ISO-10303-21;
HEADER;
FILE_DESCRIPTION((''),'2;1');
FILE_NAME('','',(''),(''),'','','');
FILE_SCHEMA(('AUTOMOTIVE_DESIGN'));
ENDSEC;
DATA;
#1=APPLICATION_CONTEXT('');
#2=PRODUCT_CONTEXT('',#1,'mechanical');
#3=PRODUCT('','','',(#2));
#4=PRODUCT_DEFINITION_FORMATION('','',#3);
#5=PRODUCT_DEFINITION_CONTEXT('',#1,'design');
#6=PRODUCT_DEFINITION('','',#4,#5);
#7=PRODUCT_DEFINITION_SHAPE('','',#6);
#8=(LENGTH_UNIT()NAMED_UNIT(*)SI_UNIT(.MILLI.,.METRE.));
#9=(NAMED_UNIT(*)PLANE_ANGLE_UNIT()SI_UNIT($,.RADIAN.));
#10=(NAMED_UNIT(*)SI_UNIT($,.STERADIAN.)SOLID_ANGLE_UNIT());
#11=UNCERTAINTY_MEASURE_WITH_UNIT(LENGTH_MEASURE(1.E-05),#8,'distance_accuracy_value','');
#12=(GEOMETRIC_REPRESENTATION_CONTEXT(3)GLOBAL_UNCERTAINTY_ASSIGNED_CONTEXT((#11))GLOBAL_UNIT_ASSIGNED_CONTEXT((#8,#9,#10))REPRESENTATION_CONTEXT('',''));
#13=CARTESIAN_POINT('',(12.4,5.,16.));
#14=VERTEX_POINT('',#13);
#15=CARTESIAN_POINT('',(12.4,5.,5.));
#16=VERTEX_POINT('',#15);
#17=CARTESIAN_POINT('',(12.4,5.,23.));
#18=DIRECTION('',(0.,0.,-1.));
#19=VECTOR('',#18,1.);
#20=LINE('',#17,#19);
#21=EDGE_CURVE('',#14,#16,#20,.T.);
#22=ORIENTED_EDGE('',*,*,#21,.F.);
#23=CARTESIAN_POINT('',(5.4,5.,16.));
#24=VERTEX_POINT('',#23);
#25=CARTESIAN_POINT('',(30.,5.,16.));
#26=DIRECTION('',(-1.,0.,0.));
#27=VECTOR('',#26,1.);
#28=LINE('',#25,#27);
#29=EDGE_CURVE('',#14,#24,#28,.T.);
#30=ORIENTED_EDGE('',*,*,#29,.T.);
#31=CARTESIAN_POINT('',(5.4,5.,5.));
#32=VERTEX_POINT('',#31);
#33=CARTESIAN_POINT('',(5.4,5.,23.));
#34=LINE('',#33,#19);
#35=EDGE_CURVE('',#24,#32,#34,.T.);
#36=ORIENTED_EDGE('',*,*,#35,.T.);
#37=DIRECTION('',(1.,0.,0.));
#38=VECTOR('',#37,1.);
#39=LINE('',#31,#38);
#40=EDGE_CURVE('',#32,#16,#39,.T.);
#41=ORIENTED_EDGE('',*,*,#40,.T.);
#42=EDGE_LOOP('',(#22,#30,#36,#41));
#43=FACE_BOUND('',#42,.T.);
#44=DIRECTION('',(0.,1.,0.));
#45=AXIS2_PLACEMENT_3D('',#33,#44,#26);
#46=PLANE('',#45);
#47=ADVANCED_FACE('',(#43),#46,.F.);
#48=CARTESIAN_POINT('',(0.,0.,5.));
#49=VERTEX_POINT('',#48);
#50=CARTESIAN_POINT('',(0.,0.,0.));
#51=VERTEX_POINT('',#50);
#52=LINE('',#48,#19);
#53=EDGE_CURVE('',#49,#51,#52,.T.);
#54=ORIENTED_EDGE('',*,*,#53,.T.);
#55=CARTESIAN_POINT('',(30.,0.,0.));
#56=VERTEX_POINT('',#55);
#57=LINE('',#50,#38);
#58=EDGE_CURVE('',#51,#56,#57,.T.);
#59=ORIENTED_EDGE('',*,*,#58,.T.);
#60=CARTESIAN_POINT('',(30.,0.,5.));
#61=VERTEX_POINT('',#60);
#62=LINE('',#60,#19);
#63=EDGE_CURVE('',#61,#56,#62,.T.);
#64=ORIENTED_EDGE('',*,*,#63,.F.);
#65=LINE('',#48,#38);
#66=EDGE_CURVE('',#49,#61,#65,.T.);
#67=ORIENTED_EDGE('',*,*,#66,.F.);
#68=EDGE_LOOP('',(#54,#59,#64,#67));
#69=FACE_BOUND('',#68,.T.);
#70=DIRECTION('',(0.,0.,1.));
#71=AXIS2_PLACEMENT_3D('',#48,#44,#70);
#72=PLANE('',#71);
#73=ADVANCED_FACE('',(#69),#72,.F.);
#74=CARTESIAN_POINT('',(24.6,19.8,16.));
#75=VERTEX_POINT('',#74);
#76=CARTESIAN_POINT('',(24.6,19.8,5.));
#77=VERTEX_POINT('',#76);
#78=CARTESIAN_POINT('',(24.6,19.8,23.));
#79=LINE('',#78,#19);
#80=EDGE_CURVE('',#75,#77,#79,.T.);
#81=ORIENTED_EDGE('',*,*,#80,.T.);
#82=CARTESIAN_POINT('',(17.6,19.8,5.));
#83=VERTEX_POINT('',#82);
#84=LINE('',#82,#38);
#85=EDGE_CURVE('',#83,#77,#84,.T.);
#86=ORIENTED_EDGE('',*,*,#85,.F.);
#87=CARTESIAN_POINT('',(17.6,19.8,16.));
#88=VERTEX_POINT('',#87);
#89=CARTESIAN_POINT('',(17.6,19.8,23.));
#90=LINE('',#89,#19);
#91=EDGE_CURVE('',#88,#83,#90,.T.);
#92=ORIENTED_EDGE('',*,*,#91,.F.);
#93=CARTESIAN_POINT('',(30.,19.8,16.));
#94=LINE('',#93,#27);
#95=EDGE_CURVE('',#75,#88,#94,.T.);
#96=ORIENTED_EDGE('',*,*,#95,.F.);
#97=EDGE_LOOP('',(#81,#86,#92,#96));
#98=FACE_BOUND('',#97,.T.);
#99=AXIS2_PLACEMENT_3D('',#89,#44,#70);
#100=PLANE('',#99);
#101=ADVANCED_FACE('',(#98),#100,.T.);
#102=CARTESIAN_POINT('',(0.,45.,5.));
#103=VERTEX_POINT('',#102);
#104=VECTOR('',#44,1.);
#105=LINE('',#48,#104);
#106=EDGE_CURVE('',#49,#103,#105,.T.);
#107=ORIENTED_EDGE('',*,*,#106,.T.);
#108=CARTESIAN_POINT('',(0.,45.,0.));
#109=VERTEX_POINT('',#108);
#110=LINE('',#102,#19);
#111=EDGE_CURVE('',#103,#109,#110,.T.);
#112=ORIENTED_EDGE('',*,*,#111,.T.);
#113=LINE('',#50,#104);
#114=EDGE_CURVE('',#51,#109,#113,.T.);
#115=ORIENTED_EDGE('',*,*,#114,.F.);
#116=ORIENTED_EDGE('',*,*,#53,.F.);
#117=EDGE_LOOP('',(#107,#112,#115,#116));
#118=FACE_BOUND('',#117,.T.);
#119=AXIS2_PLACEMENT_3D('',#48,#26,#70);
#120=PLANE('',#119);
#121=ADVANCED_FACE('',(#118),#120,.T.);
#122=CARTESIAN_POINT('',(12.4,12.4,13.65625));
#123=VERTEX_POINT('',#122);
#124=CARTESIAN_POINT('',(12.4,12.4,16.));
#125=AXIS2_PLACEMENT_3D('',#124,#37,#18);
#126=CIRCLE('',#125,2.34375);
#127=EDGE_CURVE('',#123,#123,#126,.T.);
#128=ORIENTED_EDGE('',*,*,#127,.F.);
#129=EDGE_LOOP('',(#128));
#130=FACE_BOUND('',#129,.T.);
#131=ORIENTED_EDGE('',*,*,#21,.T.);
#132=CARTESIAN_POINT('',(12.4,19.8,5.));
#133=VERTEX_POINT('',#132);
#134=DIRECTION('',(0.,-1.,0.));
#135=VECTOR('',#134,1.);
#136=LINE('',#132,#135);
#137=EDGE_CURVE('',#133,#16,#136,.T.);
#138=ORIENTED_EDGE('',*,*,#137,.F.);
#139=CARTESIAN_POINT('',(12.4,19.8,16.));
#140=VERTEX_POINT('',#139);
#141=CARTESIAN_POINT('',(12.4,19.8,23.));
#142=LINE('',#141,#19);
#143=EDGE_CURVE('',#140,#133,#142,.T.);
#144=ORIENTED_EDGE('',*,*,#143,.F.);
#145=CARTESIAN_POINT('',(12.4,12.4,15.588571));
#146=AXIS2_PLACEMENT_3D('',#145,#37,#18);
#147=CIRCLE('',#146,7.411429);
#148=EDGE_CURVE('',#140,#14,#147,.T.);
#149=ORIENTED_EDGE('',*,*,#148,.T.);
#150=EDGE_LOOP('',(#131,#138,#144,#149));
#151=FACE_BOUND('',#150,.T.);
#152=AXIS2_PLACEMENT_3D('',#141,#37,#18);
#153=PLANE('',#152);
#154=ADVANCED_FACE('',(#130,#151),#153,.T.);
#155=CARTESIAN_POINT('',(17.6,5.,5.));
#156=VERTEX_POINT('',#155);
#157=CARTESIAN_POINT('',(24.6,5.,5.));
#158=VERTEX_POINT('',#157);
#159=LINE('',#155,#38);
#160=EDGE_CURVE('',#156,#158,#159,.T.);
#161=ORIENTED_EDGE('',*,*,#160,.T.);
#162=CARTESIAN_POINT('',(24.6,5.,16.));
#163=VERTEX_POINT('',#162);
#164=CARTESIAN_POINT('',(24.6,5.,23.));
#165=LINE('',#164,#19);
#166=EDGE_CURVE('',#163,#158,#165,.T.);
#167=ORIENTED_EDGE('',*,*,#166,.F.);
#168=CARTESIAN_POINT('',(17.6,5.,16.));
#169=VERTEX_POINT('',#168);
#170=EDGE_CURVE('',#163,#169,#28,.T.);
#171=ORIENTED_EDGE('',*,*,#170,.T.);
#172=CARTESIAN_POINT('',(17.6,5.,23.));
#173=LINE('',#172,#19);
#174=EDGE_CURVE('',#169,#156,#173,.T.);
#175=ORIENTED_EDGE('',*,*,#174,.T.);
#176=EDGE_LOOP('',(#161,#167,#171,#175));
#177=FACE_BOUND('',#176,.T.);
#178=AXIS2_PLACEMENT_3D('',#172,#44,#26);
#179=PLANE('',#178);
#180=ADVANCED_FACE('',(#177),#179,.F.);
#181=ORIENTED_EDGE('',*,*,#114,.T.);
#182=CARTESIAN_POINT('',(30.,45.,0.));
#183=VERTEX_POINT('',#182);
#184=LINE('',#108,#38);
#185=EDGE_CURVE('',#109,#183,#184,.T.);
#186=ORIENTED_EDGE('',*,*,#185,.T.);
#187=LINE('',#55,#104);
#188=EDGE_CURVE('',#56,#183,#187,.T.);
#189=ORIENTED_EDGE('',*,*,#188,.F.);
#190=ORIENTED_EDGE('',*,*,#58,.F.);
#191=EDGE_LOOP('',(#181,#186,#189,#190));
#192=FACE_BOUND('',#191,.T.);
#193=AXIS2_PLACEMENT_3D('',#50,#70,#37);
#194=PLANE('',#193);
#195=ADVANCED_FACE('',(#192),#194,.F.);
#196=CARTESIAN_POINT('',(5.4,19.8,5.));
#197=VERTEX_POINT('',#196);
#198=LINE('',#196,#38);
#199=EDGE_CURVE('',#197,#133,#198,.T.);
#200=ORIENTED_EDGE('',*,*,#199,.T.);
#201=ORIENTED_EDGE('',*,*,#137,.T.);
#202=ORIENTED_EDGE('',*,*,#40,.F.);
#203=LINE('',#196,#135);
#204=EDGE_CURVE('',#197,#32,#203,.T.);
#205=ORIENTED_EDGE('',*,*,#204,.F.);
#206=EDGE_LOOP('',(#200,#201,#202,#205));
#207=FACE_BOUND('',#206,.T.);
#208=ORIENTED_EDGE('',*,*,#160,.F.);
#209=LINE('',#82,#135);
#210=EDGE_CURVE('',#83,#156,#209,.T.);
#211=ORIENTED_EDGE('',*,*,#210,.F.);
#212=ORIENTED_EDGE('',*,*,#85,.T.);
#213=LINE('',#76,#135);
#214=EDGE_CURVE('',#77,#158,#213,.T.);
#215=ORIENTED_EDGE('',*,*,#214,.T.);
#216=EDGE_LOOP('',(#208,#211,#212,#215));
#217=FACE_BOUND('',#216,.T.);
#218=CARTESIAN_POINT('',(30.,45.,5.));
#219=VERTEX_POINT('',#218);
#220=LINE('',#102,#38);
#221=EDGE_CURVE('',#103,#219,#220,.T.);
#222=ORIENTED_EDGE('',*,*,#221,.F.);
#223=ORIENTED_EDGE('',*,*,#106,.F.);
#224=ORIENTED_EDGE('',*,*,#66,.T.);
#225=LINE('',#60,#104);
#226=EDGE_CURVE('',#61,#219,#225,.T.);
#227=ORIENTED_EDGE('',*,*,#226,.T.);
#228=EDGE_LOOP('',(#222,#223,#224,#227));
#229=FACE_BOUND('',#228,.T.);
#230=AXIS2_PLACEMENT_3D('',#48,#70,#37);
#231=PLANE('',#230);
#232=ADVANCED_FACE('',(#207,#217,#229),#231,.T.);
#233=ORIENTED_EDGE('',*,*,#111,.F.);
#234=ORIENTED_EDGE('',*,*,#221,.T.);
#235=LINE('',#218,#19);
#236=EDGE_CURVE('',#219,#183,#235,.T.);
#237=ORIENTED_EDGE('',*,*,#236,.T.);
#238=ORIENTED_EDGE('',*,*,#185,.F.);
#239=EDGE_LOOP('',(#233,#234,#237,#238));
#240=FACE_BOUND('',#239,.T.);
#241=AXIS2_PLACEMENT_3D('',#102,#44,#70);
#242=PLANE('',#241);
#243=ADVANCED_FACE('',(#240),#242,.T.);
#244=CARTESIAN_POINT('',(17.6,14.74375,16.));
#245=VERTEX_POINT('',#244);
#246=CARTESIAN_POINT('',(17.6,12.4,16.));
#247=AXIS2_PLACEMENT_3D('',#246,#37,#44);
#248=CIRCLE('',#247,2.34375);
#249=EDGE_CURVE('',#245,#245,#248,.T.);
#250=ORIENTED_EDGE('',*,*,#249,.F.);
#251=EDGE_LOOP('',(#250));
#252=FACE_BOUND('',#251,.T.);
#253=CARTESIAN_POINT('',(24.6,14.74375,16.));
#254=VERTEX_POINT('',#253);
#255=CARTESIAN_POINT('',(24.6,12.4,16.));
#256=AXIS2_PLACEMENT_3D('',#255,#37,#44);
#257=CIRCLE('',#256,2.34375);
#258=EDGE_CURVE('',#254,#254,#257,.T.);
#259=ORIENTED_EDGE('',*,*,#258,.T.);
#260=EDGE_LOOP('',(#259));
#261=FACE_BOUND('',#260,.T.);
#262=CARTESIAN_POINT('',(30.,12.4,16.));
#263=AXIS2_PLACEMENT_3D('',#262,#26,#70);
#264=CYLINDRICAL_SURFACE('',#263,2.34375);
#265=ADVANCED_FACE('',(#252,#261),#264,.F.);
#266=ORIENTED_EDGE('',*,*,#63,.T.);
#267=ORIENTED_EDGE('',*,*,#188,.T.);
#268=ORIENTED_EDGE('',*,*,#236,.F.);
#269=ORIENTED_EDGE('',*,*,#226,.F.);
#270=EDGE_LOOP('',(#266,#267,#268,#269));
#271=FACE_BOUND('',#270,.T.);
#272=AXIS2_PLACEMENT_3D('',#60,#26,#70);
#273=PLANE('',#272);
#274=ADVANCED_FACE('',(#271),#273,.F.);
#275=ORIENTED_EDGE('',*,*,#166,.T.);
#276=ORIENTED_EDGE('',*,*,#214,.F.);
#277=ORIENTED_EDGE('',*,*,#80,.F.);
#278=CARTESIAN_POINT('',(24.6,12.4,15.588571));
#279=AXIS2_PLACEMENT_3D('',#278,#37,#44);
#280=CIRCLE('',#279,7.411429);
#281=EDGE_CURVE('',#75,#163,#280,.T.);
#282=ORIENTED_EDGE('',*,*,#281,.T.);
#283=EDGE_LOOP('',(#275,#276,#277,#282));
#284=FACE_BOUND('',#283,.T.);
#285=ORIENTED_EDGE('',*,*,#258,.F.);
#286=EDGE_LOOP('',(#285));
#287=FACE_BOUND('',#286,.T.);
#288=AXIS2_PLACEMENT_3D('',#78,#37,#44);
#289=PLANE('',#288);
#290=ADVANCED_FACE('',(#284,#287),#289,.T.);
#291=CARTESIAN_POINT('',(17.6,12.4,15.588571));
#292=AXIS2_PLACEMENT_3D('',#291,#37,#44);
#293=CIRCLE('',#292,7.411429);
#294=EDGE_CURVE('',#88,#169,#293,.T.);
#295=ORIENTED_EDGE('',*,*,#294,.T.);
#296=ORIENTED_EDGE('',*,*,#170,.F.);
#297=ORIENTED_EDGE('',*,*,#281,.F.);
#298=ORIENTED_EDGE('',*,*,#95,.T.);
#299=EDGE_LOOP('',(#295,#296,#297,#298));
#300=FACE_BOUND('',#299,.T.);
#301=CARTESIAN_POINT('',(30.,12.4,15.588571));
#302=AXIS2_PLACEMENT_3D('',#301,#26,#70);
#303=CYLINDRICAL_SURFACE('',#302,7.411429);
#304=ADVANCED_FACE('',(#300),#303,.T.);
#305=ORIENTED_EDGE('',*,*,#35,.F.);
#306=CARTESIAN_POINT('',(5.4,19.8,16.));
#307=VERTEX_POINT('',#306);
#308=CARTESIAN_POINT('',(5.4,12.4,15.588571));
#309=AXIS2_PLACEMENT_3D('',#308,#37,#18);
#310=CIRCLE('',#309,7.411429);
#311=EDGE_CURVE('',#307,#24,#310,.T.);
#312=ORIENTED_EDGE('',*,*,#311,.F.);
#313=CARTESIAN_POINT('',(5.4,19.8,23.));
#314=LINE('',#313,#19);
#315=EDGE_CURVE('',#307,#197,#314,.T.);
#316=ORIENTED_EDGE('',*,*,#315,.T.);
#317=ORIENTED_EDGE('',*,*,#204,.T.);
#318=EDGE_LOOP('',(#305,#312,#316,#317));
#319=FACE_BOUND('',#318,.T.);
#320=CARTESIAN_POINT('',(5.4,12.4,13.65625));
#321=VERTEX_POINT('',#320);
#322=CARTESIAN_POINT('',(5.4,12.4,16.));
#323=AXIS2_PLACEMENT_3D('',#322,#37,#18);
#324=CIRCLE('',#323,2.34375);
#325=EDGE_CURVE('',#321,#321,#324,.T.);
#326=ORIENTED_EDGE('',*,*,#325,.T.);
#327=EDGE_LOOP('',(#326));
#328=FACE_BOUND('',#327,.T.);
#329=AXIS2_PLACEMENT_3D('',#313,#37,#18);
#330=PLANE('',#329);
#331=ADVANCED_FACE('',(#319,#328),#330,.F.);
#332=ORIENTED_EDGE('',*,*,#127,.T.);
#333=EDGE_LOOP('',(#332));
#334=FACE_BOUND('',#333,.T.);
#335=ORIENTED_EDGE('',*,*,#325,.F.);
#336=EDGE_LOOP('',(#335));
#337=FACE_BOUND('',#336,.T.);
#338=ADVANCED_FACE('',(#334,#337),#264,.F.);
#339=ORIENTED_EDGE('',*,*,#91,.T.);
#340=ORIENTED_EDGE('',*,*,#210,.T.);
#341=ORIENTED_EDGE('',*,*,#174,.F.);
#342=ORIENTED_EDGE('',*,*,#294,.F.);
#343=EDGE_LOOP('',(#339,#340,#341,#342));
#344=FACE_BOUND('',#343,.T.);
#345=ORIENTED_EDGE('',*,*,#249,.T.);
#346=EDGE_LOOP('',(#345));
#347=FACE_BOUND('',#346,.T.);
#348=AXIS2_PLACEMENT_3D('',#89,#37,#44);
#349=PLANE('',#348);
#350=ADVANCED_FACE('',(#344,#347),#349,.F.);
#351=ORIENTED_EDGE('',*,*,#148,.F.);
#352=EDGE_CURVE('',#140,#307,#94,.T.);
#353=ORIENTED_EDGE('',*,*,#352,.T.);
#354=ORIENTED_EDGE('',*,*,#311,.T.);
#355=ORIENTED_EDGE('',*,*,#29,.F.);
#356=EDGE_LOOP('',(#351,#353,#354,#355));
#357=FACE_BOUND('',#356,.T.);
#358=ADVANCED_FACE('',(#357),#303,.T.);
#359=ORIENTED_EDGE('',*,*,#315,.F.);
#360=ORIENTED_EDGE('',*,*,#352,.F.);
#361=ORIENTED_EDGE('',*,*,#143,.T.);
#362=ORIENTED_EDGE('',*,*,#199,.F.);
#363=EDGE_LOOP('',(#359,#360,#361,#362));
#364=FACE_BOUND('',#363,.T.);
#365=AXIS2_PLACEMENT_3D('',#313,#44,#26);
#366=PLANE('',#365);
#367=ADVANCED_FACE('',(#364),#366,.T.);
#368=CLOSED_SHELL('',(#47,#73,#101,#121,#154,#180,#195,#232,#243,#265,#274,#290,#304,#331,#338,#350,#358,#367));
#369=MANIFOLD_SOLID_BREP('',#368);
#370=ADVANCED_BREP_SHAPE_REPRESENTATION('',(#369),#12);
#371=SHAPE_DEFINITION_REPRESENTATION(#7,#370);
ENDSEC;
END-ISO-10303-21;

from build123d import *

# Parameters (mm, degrees)
CROQUIS1_W                 = 15
CROQUIS1_H                 = 45
CROQUIS1_W_2               = 7
CROQUIS1_H_2               = 14.8
SALIENTE_EXTRUIR1_DEPTH    = 5
CROQUIS2_W                 = 7
CROQUIS2_H                 = 14.8
SALIENTE_EXTRUIR4_DEPTH    = 18
CORTAR_EXTRUIR3_DEPTH      = 57.206405329
CORTAR_EXTRUIR3_DEPTH_BACK = 57.206405329


with BuildPart() as part:
    # Croquis1 → Saliente-Extruir1 (new body)
    # profile 1 of 4: a face of its own
    with BuildSketch(Plane.XY):
        with Locations((7.5, 22.5)):
            Rectangle(CROQUIS1_W, CROQUIS1_H)
        with Locations((9, 12.4)):
            Rectangle(CROQUIS1_W_2, CROQUIS1_H_2, mode=Mode.SUBTRACT)
    # profile 2 of 4: a face of its own
    with BuildSketch(Plane.XY):
        with Locations((22.5, 22.5)):
            Rectangle(CROQUIS1_W, CROQUIS1_H)
        with Locations((21, 12.4)):
            Rectangle(CROQUIS1_W_2, CROQUIS1_H_2, mode=Mode.SUBTRACT)
    # profile 3 of 4: a face of its own
    with BuildSketch(Plane.XY):
        with Locations((21, 12.4)):
            Rectangle(CROQUIS1_W_2, CROQUIS1_H_2)
    # profile 4 of 4: a face of its own
    with BuildSketch(Plane.XY):
        with Locations((9, 12.4)):
            Rectangle(CROQUIS1_W_2, CROQUIS1_H_2)
    extrude(amount=SALIENTE_EXTRUIR1_DEPTH)

    # Croquis2 → Saliente-Extruir4 (add)
    with BuildSketch(Plane.XY.offset(5)):
        with Locations((8.9, 12.4)):
            Rectangle(CROQUIS2_W, CROQUIS2_H)
        with Locations((21.1, 12.4)):
            Rectangle(CROQUIS2_W, CROQUIS2_H)
    extrude(amount=SALIENTE_EXTRUIR4_DEPTH)

    # Croquis4 → Cortar-Extruir3 (cut, two sides: drawn at the far end of the back side and taken through both)
    with BuildSketch(Plane.ZY.offset(-5.4).offset(-CORTAR_EXTRUIR3_DEPTH_BACK)):
        with BuildLine():
            Line((16, 14.74375), (16, 12.4))
            Line((16, 12.4), (18.34375, 12.4))
            ThreePointArc((18.34375, 12.4), (17.657281518, 14.057281518), (16, 14.74375))
        make_face()
        with BuildLine():
            Line((16, 10.05625), (16, 12.4))
            Line((16, 12.4), (13.65625, 12.4))
            ThreePointArc((13.65625, 12.4), (14.342718482, 10.742718482), (16, 10.05625))
        make_face()
        with BuildLine():
            Line((13.65625, 12.4), (16, 12.4))
            Line((16, 12.4), (16, 14.74375))
            ThreePointArc((16, 14.74375), (14.342718482, 14.057281518), (13.65625, 12.4))
        make_face()
        with BuildLine():
            Line((18.34375, 12.4), (16, 12.4))
            Line((16, 12.4), (16, 10.05625))
            ThreePointArc((16, 10.05625), (17.657281518, 10.742718482), (18.34375, 12.4))
        make_face()
        with BuildLine():
            ThreePointArc((16, 19.8), (20.97274021, 17.493132631), (23, 12.4))
            Line((23, 12.4), (23, 19.8))
            Line((23, 19.8), (16, 19.8))
        make_face()
        with BuildLine():
            Line((23, 5), (23, 12.4))
            ThreePointArc((23, 12.4), (20.97274021, 7.306867369), (16, 5))
            Line((16, 5), (23, 5))
        make_face()
    extrude(amount=CORTAR_EXTRUIR3_DEPTH + CORTAR_EXTRUIR3_DEPTH_BACK, mode=Mode.SUBTRACT)


solid = part.part
